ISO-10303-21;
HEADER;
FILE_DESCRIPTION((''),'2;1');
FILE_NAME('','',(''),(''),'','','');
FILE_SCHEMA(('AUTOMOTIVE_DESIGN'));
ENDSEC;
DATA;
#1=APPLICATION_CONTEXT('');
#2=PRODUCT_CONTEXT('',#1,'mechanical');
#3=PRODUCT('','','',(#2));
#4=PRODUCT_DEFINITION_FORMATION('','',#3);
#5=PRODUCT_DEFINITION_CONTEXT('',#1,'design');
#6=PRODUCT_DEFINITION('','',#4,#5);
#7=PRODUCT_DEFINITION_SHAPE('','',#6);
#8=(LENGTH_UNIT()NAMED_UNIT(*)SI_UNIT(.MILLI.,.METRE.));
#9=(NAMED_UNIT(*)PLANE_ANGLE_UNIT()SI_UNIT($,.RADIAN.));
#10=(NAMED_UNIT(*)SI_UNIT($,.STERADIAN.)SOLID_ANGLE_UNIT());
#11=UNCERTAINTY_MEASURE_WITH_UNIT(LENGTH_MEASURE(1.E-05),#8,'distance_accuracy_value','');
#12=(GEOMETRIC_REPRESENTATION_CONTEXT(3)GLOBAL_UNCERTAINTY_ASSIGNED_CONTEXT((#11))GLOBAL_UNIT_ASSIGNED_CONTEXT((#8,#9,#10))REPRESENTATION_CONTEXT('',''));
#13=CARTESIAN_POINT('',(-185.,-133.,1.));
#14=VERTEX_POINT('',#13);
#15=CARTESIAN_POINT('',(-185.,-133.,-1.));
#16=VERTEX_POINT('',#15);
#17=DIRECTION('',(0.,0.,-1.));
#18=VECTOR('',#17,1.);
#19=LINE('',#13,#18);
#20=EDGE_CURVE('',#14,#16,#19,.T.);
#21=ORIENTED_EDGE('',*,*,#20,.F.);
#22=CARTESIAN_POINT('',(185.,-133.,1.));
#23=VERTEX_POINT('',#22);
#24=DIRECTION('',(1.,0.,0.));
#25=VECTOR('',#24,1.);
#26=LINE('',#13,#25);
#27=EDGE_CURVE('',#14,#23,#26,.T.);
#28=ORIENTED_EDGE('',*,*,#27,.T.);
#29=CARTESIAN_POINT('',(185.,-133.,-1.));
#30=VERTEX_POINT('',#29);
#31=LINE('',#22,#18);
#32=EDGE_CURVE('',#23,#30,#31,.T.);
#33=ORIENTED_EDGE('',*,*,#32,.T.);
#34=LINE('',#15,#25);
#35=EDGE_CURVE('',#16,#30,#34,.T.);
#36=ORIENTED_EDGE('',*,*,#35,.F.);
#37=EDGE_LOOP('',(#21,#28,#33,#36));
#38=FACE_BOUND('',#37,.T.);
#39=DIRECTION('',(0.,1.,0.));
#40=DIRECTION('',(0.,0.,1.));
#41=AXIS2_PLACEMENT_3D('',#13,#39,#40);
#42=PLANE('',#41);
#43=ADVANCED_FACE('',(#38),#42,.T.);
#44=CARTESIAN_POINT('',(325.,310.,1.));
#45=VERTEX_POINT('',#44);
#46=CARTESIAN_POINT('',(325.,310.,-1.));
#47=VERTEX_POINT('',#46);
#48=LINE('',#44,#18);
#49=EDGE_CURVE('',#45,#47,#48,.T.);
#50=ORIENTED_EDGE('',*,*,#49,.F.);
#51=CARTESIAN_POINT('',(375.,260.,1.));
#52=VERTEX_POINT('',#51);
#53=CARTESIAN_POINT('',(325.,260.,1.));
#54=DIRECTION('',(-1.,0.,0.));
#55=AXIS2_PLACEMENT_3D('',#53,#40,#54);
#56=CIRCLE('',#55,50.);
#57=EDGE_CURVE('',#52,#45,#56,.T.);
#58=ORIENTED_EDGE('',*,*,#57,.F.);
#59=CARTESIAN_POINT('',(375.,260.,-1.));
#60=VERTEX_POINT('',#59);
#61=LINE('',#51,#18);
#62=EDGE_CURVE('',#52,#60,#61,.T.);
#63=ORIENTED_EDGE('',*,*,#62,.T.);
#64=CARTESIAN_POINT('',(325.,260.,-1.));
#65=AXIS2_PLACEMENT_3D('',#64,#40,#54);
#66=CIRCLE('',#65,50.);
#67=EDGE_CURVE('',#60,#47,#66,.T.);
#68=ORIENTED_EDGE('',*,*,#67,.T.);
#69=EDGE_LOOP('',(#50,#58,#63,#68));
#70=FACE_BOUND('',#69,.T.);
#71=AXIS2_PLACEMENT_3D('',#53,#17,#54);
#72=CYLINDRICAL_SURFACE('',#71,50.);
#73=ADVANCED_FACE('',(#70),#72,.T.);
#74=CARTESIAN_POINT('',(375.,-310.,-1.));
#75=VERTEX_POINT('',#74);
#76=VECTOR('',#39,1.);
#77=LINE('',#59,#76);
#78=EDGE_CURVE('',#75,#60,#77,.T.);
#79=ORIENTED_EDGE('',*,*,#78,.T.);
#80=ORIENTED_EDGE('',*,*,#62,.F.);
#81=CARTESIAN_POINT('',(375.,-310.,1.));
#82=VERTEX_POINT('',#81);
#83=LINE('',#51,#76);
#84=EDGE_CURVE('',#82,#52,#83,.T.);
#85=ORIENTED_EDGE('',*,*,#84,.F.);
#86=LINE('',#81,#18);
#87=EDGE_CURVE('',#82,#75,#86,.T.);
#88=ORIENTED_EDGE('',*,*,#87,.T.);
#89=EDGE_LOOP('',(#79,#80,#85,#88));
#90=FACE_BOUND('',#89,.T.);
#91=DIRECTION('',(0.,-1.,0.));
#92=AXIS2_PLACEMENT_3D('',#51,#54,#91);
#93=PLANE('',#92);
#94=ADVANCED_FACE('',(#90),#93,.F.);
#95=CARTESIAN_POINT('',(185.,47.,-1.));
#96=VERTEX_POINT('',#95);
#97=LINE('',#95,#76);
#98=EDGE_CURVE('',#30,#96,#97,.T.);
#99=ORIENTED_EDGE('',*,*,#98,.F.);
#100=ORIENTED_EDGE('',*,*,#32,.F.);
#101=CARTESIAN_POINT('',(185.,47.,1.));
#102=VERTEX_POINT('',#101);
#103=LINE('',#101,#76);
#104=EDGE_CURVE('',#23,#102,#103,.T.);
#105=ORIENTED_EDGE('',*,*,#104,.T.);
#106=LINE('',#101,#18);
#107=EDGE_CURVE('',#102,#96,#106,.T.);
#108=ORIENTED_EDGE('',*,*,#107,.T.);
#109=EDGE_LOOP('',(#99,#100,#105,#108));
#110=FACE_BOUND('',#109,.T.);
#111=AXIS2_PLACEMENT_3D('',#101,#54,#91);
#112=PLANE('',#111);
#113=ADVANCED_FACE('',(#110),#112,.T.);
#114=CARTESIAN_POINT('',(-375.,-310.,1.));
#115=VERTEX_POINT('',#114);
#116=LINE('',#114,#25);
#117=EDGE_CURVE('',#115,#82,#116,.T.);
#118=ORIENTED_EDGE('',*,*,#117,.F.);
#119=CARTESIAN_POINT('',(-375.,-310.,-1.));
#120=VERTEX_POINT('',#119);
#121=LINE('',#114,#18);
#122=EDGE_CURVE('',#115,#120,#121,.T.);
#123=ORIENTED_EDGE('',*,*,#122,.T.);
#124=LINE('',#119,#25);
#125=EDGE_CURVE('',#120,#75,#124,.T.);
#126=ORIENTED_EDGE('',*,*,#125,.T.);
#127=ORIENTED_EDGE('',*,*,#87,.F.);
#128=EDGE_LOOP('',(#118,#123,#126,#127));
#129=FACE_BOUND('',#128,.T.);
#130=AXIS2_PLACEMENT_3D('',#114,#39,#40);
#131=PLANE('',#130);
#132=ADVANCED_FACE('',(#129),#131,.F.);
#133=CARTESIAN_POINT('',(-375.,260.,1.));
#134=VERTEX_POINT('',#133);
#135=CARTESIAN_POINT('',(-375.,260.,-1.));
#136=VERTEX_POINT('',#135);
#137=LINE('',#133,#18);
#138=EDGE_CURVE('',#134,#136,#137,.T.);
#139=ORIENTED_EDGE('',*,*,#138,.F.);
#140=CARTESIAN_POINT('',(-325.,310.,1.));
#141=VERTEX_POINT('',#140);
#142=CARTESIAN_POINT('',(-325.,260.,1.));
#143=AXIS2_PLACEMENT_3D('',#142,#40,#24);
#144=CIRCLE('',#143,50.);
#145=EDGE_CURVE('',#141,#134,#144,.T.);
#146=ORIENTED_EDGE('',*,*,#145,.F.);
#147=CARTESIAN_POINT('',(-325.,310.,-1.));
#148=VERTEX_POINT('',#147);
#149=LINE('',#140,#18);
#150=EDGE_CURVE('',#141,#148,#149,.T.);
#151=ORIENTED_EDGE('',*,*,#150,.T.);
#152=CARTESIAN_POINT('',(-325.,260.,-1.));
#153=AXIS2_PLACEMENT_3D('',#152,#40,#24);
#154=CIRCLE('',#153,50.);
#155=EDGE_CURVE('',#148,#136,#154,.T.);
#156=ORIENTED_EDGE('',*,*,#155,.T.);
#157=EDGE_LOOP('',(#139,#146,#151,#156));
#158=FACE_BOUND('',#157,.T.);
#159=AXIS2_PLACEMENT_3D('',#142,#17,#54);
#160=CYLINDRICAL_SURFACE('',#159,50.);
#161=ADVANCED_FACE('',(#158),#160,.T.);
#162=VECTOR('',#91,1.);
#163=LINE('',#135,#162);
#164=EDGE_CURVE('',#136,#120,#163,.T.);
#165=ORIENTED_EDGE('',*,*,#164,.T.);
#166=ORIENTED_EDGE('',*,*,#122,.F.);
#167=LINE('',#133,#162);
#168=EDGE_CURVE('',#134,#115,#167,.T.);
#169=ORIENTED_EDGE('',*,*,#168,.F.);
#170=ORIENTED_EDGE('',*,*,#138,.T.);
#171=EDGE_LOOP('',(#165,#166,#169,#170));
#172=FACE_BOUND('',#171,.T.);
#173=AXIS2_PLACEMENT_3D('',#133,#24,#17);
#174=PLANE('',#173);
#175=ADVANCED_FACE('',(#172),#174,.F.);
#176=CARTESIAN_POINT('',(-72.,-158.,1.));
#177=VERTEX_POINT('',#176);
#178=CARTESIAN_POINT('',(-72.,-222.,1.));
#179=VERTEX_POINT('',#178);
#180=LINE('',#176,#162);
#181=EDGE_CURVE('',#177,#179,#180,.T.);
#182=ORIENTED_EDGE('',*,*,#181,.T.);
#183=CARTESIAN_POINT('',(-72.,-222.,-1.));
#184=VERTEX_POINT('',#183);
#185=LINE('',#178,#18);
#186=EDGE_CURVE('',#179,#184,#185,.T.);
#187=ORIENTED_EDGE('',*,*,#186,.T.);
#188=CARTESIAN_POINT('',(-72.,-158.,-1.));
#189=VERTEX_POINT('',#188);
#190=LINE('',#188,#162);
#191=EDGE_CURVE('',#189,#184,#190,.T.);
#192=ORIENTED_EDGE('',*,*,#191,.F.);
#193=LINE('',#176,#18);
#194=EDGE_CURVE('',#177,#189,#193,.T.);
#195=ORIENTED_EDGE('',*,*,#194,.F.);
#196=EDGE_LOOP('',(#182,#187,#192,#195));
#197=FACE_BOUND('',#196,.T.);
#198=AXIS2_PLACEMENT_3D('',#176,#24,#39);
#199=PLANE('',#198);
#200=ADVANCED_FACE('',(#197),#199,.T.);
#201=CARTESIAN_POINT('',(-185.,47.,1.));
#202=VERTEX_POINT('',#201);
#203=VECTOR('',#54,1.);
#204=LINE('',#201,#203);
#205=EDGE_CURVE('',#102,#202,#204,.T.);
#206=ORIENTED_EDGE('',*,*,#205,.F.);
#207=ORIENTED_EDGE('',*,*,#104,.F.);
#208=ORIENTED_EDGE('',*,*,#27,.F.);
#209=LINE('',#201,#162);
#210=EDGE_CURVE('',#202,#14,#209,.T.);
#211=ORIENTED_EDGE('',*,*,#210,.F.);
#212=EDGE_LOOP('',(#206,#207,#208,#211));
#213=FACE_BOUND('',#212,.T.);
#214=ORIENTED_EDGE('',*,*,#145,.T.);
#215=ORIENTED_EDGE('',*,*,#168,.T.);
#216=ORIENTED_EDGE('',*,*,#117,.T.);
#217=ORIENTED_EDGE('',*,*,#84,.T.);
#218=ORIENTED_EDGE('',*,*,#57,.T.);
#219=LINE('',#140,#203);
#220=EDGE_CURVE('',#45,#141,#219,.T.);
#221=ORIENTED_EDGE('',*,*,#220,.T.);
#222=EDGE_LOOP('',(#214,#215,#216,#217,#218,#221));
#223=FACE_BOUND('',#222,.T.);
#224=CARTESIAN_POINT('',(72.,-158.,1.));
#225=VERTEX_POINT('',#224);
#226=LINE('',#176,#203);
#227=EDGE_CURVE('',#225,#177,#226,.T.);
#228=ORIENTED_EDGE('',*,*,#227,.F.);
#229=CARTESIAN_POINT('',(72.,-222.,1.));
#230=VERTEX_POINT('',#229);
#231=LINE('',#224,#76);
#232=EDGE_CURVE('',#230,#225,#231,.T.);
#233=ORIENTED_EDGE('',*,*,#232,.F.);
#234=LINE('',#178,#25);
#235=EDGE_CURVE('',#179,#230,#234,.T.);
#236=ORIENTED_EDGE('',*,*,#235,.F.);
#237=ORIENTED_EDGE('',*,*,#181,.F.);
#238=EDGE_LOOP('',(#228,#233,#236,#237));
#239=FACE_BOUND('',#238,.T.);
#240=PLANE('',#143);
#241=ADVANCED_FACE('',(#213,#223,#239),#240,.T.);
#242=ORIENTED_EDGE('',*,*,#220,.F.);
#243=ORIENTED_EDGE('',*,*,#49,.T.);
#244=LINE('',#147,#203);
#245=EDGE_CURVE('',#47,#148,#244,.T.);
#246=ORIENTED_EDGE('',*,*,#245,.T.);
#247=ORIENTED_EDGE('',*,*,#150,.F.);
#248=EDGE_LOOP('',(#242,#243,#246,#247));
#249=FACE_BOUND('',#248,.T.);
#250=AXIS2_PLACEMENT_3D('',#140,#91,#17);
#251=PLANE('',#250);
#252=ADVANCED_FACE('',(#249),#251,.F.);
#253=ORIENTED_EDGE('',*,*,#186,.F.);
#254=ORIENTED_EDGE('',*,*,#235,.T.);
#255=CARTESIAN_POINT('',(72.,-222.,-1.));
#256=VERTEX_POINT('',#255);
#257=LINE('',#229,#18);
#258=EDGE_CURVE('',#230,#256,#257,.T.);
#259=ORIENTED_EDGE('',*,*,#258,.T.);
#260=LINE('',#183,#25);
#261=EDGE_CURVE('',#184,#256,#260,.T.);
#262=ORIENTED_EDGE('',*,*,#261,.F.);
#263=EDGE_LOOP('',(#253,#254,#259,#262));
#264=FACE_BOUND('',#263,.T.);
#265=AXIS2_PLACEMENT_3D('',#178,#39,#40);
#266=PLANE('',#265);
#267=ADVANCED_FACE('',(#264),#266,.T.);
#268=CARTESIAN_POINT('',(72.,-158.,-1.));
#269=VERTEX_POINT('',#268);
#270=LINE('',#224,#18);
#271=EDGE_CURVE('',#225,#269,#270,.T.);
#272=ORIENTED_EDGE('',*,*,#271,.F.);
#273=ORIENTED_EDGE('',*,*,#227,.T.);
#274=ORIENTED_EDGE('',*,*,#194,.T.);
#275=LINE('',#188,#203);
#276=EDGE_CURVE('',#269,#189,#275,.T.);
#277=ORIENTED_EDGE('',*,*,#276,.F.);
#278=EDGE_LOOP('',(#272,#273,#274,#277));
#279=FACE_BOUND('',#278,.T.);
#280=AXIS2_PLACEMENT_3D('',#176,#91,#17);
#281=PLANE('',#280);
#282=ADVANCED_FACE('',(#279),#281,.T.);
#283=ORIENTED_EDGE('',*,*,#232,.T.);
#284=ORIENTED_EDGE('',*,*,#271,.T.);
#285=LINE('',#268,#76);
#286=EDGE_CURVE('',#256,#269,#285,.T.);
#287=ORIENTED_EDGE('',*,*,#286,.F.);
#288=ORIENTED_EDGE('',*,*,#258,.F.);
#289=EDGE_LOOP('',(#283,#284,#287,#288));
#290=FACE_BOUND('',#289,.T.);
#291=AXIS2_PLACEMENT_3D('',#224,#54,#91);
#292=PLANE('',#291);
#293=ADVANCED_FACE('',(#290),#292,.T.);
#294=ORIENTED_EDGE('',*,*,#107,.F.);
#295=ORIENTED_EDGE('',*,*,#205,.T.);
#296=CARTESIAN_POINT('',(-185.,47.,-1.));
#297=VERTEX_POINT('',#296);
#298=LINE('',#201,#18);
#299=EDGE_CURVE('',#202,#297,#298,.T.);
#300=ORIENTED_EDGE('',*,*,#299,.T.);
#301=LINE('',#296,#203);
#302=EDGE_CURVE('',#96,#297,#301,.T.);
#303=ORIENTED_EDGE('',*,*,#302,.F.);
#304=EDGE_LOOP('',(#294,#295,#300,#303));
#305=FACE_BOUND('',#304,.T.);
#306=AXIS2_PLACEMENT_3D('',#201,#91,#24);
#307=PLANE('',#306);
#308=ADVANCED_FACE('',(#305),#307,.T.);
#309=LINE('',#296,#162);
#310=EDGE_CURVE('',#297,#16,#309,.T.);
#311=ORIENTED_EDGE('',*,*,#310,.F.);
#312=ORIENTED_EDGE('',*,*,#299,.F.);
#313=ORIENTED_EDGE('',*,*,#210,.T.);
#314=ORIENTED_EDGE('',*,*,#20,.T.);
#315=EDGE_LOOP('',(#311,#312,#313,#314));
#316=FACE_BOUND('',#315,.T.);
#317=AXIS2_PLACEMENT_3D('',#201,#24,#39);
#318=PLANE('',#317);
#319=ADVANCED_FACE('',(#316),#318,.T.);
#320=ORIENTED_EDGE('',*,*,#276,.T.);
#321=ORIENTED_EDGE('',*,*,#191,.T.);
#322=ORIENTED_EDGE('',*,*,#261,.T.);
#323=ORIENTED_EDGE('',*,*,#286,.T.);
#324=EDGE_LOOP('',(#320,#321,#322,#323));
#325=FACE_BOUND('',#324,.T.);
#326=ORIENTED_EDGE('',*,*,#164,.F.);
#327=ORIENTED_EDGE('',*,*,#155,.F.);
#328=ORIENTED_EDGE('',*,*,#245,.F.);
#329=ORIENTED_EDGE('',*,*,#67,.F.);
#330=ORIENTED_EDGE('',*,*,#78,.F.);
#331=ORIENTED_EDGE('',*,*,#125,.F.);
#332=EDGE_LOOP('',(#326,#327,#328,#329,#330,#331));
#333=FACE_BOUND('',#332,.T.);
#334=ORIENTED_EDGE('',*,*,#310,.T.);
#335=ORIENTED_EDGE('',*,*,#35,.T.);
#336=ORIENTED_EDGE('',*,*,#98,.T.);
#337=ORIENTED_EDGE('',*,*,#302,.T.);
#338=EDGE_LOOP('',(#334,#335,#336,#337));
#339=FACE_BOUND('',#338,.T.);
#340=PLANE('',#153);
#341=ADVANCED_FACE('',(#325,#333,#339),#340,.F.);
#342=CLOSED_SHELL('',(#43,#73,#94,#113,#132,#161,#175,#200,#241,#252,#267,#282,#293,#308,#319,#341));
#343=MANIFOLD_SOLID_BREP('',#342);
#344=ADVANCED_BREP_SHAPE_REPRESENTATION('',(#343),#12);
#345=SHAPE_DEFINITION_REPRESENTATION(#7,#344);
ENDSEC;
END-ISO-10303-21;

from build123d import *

# Parameters (mm, degrees)
SKETCH1_W           = 144
SKETCH1_H           = 64
SKETCH1_W_2         = 370
SKETCH1_H_2         = 180
BOSS_EXTRUDE1_DEPTH = 1


with BuildPart() as part:
    # Sketch1 → Boss-Extrude1 (new, symmetric)
    with BuildSketch(Plane.XY):
        with BuildLine():
            Line((-325, 310), (325, 310))
            ThreePointArc((325, 310), (360.355339059, 295.355339059), (375, 260))
            Line((375, 260), (375, -310))
            Line((375, -310), (-375, -310))
            Line((-375, -310), (-375, 260))
            ThreePointArc((-375, 260), (-360.355339059, 295.355339059), (-325, 310))
        make_face()
        with Locations((0, -190)):
            Rectangle(SKETCH1_W, SKETCH1_H, mode=Mode.SUBTRACT)
        with Locations((0, -43)):
            Rectangle(SKETCH1_W_2, SKETCH1_H_2, mode=Mode.SUBTRACT)
    extrude(amount=BOSS_EXTRUDE1_DEPTH, both=True)


solid = part.part
